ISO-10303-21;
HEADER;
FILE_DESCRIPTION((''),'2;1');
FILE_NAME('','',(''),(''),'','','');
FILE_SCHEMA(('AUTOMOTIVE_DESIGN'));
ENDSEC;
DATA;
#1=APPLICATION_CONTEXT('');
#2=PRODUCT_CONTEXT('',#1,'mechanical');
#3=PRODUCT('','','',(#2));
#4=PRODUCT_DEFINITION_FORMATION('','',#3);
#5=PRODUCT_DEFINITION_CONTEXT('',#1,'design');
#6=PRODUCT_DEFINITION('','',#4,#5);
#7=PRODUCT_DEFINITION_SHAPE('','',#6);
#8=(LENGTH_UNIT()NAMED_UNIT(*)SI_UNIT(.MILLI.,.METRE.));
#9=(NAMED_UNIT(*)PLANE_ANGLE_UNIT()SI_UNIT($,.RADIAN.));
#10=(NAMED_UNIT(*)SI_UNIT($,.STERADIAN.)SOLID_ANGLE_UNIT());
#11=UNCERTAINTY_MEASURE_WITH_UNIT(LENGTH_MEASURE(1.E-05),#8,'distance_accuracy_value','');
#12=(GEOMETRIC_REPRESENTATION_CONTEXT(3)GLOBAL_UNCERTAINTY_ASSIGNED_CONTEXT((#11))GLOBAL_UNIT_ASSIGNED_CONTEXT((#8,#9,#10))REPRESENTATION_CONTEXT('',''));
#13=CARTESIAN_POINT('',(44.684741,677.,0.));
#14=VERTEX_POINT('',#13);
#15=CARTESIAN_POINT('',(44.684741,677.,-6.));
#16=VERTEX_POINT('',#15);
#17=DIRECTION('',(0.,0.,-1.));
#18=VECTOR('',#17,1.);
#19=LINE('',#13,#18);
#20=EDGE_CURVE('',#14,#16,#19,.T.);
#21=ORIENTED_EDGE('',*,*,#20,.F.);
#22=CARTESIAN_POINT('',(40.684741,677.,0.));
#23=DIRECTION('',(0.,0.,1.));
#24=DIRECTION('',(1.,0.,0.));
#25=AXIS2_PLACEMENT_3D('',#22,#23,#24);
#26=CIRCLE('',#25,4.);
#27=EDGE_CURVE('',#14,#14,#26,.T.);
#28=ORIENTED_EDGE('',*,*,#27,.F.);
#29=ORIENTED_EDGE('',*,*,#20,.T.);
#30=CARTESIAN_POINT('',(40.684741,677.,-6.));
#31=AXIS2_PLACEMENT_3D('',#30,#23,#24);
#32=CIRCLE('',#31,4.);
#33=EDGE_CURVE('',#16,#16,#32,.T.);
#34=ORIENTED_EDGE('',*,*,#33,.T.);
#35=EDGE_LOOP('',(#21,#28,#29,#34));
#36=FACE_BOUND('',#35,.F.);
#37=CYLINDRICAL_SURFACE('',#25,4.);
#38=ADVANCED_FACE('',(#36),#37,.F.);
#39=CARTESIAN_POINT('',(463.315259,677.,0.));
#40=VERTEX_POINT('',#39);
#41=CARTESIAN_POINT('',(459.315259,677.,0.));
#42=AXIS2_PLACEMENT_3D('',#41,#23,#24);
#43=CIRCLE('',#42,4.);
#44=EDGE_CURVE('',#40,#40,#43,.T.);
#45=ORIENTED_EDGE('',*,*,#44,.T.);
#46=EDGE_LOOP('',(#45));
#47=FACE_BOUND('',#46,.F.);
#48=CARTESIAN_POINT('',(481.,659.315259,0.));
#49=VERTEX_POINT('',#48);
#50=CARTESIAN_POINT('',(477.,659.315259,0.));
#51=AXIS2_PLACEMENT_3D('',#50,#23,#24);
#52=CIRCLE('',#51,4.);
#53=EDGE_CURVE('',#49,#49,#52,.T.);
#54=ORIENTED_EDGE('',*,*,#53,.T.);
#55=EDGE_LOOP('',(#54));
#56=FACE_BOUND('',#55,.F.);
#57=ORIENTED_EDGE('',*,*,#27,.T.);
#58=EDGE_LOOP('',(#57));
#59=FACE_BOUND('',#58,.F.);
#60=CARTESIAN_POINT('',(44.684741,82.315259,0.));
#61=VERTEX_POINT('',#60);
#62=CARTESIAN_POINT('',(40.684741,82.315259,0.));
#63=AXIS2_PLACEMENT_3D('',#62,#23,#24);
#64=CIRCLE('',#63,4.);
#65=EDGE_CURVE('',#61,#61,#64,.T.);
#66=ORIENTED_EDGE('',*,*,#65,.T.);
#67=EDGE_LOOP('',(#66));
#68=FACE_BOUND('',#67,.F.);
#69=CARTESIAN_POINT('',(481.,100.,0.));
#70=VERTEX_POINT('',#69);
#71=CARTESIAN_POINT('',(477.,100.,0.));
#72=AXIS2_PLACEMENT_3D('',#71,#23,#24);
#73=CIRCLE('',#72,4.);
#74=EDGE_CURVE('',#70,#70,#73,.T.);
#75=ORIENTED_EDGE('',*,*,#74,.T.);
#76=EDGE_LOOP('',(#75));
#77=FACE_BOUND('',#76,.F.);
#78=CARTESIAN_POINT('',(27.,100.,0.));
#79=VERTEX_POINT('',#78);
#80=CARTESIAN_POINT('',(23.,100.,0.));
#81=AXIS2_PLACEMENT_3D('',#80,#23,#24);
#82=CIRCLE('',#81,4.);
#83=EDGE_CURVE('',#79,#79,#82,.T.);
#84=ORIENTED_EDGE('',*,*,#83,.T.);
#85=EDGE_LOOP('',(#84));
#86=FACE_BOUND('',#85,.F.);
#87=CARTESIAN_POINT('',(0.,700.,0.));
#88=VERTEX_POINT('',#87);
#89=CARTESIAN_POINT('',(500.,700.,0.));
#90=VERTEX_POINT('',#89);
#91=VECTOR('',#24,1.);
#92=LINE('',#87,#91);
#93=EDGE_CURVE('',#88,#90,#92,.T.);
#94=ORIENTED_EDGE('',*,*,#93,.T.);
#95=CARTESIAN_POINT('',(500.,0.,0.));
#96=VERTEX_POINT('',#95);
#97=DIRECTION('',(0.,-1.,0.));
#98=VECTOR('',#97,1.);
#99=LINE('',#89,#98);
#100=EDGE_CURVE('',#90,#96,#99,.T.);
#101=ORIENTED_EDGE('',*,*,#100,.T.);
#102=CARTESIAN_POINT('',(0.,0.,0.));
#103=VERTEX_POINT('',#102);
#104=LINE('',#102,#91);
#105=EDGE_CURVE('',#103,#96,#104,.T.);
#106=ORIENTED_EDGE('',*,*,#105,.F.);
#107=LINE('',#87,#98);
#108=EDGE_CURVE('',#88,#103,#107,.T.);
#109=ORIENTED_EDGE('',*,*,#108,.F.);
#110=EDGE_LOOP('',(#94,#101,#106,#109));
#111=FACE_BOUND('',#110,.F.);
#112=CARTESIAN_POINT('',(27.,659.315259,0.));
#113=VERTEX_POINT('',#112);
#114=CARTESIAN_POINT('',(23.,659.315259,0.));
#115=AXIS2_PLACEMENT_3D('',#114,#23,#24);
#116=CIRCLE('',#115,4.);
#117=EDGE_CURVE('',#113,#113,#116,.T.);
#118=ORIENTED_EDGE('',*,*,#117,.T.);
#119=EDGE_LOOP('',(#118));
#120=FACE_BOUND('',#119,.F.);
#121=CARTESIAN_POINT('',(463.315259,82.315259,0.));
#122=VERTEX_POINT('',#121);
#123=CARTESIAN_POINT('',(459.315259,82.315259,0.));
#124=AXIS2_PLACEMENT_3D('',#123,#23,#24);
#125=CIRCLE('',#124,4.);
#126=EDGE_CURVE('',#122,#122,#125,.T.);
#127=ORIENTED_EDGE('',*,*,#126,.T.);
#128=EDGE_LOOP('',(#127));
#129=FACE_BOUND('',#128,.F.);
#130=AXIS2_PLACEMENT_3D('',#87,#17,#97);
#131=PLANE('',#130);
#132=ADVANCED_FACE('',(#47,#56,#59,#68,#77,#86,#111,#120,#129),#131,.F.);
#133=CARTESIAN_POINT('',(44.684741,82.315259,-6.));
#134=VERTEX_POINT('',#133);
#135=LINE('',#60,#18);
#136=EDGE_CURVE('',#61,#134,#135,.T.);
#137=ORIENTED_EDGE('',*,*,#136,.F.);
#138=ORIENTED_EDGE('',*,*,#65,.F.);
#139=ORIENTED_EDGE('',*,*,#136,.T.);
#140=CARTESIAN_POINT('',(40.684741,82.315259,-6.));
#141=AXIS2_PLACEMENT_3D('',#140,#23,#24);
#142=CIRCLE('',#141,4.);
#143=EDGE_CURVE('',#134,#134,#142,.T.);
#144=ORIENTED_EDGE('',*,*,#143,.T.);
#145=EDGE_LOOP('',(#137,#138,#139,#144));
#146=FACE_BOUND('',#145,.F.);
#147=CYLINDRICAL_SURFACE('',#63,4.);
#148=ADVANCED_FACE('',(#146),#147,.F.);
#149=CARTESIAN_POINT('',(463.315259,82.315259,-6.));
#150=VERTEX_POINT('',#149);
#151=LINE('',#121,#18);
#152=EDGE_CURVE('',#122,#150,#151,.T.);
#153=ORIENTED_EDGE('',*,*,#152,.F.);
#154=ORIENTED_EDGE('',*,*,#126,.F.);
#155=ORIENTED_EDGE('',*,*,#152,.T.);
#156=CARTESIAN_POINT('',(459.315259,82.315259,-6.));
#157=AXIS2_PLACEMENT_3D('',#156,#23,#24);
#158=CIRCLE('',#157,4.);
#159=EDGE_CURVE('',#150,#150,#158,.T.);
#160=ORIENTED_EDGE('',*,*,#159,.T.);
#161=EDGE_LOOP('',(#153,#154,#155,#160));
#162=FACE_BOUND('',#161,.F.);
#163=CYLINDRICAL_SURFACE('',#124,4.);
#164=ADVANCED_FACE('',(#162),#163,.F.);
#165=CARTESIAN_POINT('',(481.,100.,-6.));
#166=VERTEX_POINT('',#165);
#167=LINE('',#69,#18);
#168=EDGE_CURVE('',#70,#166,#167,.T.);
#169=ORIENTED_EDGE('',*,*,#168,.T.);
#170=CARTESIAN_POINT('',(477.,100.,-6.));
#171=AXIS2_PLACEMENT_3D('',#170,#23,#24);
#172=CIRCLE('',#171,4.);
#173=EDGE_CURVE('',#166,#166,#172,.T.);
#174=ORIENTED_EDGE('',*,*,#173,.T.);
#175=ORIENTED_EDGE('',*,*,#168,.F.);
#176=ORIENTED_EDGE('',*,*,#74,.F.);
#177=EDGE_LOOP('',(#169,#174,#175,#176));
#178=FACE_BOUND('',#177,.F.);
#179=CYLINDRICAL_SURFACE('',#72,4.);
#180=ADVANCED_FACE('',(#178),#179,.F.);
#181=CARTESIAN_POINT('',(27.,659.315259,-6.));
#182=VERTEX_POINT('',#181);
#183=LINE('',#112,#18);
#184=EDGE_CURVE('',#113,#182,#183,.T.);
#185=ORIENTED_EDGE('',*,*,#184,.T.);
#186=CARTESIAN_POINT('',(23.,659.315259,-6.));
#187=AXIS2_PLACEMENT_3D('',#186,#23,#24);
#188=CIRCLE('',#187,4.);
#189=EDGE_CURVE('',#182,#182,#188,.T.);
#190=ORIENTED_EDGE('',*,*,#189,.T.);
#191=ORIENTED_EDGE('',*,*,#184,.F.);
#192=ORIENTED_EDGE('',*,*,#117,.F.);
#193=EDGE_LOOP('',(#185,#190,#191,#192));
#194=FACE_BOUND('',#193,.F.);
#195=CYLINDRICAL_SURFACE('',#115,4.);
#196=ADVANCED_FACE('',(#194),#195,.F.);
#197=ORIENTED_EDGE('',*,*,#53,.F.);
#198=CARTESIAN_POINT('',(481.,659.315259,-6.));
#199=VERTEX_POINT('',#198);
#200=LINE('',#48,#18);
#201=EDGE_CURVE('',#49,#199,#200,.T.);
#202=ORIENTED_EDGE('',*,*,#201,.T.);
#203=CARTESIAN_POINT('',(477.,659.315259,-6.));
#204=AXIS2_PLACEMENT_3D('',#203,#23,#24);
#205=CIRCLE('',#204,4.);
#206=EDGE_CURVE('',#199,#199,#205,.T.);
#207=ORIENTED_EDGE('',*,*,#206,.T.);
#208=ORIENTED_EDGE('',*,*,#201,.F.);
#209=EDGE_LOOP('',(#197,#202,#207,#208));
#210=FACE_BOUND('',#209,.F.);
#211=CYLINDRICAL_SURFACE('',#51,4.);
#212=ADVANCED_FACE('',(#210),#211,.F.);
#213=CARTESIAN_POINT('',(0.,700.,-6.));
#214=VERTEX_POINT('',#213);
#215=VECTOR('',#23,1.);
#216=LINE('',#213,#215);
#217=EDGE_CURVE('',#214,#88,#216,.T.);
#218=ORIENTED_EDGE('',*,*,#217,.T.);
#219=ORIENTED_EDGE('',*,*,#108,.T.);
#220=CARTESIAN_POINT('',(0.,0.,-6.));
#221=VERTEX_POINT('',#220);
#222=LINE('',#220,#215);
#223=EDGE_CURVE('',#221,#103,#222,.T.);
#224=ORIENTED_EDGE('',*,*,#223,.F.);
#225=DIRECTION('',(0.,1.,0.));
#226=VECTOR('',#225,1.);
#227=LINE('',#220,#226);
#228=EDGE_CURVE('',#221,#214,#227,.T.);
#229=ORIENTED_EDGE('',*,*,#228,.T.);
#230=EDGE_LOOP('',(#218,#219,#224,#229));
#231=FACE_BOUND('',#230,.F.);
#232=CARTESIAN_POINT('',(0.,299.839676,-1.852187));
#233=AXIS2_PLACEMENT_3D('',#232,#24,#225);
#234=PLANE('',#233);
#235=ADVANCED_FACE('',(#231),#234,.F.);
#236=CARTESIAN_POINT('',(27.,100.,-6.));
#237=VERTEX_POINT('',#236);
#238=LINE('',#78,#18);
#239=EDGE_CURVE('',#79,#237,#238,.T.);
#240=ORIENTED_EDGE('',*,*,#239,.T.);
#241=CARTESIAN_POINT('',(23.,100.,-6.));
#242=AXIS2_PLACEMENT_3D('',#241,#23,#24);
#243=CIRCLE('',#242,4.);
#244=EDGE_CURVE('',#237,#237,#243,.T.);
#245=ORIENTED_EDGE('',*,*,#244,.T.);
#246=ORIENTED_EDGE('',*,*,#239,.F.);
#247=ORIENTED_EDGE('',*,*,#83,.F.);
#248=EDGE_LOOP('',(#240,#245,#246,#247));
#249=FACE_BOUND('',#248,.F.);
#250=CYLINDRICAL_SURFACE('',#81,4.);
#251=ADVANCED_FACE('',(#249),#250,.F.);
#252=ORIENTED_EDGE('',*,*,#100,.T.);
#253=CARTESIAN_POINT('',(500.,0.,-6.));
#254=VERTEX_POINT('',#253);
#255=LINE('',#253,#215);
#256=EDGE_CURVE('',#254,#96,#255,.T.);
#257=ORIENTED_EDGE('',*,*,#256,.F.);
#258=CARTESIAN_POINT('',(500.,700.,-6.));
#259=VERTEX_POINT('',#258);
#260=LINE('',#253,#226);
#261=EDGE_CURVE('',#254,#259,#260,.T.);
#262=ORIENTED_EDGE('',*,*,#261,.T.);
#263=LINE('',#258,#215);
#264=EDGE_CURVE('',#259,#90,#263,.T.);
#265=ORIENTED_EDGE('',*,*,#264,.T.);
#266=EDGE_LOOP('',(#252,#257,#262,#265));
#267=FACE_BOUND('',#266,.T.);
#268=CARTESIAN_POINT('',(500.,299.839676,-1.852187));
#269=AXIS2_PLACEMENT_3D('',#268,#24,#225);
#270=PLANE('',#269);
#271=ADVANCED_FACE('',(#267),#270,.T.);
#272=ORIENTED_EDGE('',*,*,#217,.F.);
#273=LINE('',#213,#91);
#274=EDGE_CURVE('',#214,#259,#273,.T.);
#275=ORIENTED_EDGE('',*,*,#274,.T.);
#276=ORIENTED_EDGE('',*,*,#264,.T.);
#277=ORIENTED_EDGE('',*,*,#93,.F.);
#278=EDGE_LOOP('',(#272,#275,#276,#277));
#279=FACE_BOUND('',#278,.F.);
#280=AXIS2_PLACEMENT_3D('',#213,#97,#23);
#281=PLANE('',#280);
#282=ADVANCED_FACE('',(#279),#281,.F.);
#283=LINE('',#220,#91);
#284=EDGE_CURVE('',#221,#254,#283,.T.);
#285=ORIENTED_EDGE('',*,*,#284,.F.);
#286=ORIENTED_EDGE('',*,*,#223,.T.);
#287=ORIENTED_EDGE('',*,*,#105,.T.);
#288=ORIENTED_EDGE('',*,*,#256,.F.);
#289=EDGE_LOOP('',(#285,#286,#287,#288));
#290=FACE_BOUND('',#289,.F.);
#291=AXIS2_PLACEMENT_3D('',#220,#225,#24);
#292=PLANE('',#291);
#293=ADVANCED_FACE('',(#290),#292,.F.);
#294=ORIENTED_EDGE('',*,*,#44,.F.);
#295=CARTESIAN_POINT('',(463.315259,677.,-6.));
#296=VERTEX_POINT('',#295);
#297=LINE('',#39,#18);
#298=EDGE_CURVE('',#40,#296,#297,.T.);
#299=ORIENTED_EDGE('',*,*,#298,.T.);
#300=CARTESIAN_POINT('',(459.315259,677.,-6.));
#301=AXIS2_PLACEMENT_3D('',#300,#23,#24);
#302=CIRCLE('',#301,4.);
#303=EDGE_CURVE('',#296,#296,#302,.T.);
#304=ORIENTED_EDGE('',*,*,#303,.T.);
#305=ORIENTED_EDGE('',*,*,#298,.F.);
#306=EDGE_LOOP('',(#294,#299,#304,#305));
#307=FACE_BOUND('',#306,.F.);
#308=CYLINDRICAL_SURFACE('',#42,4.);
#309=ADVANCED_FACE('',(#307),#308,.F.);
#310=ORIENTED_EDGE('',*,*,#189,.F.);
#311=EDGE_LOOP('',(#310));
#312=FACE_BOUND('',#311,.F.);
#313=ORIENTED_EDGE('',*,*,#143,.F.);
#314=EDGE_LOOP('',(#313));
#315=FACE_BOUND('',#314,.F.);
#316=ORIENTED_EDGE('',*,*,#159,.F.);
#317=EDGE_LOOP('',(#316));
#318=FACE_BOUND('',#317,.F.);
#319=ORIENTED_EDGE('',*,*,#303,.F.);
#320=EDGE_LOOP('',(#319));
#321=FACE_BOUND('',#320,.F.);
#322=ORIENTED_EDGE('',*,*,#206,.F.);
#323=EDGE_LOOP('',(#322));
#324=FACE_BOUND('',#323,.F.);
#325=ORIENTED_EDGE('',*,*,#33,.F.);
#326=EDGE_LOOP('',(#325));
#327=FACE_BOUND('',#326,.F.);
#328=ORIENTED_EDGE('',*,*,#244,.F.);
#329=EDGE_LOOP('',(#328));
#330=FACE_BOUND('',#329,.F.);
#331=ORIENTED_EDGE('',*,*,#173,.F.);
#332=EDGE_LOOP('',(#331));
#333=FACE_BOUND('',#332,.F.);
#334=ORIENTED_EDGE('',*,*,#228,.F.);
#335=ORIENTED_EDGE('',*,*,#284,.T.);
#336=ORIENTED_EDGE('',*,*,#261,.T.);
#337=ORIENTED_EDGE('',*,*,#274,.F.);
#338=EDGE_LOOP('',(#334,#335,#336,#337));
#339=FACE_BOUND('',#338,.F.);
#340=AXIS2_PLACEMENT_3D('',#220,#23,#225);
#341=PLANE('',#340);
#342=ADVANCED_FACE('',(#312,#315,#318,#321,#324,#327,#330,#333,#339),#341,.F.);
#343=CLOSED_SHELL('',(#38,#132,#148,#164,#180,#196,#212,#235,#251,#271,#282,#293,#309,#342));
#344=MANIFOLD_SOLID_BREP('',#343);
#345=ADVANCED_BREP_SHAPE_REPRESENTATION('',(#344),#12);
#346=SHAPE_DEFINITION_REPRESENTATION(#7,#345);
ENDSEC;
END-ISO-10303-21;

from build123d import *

# Parameters (mm, degrees)
F1_DEPTH = 500
F3_DEPTH = 23.191775822
F4_R     = 4
F5_DEPTH = 6.001
F6_W     = 500
F6_H     = 122.3183423281
F7_DEPTH = 23.3658177667


with BuildPart() as f1:
    # F0 (on Right) → F1 (new body)
    with BuildSketch(Plane.YZ):
        Polygon((700, 0), (0, 0), (-98.4807753012, 17.3648177667), (-99.5226643672, 11.4559712486), (0, -6), (700, -6), align=None)
    extrude(amount=F1_DEPTH)

    # F2 (on face) → F3 (cut, through all)
    with BuildSketch(Plane(origin=(0, 0, 0), x_dir=(1, 0, 0), z_dir=(0, 0.1736481777, 0.984807753))):
        with BuildLine():
            Line((0, -100), (50, -100))
            ThreePointArc((50, -100), (14.6446609407, -85.3553390593), (0, -50))
            Line((0, -50), (0, -100))
        make_face()
        with BuildLine():
            ThreePointArc((500, -50), (485.3553390593, -85.3553390593), (450, -100))
            Line((450, -100), (500, -100))
            Line((500, -100), (500, -50))
        make_face()
    extrude(amount=-F3_DEPTH, mode=Mode.SUBTRACT)

    # F4 (on face) → F5 (cut, through all)
    with BuildSketch(Plane.XY):
        with Locations((23, 100)):
            Circle(F4_R)
        with Locations((40.6847405975, 82.3152594025)):
            Circle(F4_R)
        with Locations((23, 659.3152594025)):
            Circle(F4_R)
        with Locations((40.6847405975, 677)):
            Circle(F4_R)
        with Locations((459.3152594025, 677)):
            Circle(F4_R)
        with Locations((477, 659.3152594025)):
            Circle(F4_R)
        with Locations((477, 100)):
            Circle(F4_R)
        with Locations((459.3152594025, 82.3152594025)):
            Circle(F4_R)
    extrude(amount=-F5_DEPTH, mode=Mode.SUBTRACT)

    # F6 (on face) → F7 (cut, through all)
    with BuildSketch(Plane(origin=(0, 0, -6), x_dir=(1, 0, 0), z_dir=(0, 0, -1))):
        with Locations((250, 61.159171164)):
            Rectangle(F6_W, F6_H)
    extrude(amount=-F7_DEPTH, mode=Mode.SUBTRACT)


solid = f1.part
